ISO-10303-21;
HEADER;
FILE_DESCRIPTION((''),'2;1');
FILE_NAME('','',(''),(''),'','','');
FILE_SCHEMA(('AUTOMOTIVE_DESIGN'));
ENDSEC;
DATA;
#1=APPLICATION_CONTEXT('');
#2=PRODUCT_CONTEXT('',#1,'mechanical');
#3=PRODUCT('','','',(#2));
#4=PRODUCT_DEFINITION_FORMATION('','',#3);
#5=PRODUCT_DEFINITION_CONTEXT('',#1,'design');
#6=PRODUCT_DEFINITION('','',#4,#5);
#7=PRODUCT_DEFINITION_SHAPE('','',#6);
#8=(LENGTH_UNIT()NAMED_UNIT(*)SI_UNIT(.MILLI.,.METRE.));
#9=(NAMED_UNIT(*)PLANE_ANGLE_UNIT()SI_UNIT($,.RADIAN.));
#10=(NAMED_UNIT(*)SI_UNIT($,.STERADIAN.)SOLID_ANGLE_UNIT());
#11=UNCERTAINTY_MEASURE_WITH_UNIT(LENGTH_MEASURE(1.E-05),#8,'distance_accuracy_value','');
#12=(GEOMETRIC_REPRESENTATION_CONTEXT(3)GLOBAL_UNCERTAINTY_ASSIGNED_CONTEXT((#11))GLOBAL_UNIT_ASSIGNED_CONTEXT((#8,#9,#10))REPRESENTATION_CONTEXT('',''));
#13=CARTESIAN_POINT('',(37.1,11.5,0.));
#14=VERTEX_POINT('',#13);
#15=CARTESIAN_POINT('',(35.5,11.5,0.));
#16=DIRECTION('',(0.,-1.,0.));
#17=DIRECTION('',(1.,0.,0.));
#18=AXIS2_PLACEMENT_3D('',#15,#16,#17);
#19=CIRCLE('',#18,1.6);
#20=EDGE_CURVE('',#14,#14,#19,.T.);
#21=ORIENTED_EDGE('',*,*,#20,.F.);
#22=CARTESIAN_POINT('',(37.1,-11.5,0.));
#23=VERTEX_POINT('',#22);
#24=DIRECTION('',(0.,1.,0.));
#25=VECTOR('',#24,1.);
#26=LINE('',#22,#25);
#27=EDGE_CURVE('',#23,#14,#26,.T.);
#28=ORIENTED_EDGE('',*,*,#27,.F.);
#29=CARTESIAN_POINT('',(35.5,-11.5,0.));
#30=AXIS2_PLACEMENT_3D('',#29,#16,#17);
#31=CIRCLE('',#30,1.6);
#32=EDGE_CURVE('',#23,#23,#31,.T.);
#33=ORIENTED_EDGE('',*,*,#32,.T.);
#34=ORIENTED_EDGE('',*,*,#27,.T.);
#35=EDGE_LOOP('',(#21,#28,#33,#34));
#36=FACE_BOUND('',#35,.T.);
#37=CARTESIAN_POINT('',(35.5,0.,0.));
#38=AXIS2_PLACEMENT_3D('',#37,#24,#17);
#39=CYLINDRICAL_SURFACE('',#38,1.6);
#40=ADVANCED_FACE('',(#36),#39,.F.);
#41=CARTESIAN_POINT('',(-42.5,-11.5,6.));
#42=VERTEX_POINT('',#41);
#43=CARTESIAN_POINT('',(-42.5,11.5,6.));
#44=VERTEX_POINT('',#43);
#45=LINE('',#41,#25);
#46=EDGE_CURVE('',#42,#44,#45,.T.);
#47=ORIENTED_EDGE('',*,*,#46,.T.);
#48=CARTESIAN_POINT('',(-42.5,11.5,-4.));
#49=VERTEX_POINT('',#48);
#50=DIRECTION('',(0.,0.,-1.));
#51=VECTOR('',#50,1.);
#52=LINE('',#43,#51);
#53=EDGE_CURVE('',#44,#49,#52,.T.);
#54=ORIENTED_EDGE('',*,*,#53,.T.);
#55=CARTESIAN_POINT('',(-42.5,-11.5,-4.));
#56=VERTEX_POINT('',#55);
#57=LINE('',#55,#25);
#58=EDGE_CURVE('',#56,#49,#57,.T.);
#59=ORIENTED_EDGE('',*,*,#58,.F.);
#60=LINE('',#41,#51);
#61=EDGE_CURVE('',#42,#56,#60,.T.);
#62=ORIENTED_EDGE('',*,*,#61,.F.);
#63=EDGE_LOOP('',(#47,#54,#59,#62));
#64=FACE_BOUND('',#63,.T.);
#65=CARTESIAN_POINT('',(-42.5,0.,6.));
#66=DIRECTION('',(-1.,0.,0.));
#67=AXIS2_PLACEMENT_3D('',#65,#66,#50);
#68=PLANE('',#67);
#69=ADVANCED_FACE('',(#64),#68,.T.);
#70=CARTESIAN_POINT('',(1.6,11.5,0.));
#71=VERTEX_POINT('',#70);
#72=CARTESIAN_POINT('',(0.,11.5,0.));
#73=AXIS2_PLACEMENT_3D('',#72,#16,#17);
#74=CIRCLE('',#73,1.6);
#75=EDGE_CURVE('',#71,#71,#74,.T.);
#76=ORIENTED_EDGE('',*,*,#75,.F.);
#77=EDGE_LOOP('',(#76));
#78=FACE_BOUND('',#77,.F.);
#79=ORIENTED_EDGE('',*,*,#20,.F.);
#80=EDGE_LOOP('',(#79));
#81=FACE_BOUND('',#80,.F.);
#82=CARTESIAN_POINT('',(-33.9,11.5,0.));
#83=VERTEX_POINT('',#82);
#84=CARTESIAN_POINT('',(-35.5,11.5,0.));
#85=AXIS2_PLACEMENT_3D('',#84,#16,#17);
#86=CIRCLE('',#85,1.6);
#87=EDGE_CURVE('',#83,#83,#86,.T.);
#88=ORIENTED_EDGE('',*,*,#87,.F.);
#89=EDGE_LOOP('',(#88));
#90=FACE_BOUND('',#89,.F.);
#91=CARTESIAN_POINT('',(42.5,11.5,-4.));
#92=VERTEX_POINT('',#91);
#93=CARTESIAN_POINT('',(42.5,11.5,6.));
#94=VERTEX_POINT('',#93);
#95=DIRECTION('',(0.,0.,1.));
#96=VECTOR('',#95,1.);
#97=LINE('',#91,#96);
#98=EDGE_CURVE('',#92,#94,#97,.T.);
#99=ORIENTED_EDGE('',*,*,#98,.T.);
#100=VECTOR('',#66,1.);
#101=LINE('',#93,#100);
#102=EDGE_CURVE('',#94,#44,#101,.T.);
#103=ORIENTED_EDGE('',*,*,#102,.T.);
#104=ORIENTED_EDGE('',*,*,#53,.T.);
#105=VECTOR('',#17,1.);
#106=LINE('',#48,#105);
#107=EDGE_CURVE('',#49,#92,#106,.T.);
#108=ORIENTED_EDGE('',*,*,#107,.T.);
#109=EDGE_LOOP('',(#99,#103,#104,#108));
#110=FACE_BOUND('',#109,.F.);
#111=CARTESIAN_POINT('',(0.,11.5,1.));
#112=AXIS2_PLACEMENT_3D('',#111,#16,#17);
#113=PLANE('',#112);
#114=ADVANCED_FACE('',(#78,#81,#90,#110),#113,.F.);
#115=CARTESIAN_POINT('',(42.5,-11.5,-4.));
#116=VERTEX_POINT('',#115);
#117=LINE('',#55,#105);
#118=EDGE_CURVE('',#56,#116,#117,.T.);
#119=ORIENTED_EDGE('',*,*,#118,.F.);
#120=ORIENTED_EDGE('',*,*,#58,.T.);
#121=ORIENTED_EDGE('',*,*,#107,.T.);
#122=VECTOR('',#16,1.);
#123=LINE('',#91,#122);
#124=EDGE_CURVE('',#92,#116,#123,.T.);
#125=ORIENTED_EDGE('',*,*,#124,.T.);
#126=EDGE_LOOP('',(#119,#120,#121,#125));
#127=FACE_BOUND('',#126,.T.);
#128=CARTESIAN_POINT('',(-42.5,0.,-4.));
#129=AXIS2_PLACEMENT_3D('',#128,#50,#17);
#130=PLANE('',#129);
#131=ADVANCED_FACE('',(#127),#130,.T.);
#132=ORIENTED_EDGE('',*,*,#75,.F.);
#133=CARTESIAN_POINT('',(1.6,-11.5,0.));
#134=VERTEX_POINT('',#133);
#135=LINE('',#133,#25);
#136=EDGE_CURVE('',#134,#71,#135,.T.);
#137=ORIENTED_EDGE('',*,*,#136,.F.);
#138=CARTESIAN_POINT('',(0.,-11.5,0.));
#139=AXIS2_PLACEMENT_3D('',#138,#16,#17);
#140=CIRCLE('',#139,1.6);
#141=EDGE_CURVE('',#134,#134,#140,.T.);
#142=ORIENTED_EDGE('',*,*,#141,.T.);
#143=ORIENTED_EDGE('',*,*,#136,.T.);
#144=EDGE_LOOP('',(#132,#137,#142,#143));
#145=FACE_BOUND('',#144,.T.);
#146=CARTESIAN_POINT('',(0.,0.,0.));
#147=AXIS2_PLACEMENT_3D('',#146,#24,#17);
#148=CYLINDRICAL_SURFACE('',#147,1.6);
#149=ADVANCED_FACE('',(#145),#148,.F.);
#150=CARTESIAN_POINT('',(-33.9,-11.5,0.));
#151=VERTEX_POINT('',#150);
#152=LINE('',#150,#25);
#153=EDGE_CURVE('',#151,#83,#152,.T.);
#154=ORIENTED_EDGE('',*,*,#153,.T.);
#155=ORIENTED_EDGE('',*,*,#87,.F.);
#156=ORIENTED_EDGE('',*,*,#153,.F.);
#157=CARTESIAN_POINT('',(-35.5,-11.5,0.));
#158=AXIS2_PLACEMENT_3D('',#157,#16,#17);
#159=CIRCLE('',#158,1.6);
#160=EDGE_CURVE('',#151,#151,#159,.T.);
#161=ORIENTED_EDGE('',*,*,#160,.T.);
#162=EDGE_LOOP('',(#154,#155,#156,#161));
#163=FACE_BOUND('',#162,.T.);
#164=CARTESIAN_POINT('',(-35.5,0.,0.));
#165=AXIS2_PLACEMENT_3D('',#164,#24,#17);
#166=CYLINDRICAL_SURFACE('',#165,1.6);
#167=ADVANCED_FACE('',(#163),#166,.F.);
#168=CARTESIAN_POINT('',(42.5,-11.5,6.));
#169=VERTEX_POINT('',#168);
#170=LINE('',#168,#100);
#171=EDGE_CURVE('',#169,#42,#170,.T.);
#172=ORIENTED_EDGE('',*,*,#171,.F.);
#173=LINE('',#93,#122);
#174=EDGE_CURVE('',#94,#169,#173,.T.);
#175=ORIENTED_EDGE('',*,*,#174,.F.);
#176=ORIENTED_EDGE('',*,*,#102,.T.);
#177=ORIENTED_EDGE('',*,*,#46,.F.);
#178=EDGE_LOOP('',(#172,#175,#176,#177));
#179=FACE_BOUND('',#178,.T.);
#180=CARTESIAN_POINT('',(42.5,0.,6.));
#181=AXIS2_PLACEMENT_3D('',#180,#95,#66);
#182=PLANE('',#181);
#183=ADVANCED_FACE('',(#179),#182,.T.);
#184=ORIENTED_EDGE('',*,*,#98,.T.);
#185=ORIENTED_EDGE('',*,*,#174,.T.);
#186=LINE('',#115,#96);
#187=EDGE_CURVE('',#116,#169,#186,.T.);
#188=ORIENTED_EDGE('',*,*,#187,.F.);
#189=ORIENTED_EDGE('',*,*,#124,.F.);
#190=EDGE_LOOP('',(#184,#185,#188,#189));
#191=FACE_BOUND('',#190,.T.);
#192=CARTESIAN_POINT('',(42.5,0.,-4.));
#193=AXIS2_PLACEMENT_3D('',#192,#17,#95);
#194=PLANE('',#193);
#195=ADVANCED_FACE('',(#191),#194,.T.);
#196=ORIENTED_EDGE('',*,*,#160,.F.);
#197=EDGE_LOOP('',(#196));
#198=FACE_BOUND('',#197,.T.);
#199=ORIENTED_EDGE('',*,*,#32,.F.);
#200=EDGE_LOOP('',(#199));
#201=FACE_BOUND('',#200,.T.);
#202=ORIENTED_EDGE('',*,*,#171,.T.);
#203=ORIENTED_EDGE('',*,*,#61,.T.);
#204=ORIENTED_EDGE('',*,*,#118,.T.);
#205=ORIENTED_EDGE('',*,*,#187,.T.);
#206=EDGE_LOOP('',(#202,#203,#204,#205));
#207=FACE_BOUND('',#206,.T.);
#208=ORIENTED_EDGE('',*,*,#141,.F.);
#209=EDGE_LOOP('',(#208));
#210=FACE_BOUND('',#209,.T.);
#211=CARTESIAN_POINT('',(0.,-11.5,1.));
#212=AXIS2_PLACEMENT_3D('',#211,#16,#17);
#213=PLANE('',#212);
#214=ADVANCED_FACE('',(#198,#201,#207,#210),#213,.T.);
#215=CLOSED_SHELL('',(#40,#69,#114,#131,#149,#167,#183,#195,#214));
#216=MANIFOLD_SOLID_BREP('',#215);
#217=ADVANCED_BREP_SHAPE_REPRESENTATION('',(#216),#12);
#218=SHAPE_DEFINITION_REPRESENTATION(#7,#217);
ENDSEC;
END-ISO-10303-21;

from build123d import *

# Parameters (mm, degrees)
F0_R     = 1.6
F1_DEPTH = 11.5


with BuildPart() as f1:
    # F0 (on Front) → F1 (new body, symmetric)
    with BuildSketch(Plane.XZ):
        Polygon((-42.5, -4), (42.5, -4), (42.5, 4), (42.5, 6), (-42.5, 6), (-42.5, 4), align=None)
        with Locations((-35.5, 0)):
            Circle(F0_R, mode=Mode.SUBTRACT)
        Circle(F0_R, mode=Mode.SUBTRACT)
        with Locations((35.5, 0)):
            Circle(F0_R, mode=Mode.SUBTRACT)
    extrude(amount=F1_DEPTH, both=True)


solid = f1.part
